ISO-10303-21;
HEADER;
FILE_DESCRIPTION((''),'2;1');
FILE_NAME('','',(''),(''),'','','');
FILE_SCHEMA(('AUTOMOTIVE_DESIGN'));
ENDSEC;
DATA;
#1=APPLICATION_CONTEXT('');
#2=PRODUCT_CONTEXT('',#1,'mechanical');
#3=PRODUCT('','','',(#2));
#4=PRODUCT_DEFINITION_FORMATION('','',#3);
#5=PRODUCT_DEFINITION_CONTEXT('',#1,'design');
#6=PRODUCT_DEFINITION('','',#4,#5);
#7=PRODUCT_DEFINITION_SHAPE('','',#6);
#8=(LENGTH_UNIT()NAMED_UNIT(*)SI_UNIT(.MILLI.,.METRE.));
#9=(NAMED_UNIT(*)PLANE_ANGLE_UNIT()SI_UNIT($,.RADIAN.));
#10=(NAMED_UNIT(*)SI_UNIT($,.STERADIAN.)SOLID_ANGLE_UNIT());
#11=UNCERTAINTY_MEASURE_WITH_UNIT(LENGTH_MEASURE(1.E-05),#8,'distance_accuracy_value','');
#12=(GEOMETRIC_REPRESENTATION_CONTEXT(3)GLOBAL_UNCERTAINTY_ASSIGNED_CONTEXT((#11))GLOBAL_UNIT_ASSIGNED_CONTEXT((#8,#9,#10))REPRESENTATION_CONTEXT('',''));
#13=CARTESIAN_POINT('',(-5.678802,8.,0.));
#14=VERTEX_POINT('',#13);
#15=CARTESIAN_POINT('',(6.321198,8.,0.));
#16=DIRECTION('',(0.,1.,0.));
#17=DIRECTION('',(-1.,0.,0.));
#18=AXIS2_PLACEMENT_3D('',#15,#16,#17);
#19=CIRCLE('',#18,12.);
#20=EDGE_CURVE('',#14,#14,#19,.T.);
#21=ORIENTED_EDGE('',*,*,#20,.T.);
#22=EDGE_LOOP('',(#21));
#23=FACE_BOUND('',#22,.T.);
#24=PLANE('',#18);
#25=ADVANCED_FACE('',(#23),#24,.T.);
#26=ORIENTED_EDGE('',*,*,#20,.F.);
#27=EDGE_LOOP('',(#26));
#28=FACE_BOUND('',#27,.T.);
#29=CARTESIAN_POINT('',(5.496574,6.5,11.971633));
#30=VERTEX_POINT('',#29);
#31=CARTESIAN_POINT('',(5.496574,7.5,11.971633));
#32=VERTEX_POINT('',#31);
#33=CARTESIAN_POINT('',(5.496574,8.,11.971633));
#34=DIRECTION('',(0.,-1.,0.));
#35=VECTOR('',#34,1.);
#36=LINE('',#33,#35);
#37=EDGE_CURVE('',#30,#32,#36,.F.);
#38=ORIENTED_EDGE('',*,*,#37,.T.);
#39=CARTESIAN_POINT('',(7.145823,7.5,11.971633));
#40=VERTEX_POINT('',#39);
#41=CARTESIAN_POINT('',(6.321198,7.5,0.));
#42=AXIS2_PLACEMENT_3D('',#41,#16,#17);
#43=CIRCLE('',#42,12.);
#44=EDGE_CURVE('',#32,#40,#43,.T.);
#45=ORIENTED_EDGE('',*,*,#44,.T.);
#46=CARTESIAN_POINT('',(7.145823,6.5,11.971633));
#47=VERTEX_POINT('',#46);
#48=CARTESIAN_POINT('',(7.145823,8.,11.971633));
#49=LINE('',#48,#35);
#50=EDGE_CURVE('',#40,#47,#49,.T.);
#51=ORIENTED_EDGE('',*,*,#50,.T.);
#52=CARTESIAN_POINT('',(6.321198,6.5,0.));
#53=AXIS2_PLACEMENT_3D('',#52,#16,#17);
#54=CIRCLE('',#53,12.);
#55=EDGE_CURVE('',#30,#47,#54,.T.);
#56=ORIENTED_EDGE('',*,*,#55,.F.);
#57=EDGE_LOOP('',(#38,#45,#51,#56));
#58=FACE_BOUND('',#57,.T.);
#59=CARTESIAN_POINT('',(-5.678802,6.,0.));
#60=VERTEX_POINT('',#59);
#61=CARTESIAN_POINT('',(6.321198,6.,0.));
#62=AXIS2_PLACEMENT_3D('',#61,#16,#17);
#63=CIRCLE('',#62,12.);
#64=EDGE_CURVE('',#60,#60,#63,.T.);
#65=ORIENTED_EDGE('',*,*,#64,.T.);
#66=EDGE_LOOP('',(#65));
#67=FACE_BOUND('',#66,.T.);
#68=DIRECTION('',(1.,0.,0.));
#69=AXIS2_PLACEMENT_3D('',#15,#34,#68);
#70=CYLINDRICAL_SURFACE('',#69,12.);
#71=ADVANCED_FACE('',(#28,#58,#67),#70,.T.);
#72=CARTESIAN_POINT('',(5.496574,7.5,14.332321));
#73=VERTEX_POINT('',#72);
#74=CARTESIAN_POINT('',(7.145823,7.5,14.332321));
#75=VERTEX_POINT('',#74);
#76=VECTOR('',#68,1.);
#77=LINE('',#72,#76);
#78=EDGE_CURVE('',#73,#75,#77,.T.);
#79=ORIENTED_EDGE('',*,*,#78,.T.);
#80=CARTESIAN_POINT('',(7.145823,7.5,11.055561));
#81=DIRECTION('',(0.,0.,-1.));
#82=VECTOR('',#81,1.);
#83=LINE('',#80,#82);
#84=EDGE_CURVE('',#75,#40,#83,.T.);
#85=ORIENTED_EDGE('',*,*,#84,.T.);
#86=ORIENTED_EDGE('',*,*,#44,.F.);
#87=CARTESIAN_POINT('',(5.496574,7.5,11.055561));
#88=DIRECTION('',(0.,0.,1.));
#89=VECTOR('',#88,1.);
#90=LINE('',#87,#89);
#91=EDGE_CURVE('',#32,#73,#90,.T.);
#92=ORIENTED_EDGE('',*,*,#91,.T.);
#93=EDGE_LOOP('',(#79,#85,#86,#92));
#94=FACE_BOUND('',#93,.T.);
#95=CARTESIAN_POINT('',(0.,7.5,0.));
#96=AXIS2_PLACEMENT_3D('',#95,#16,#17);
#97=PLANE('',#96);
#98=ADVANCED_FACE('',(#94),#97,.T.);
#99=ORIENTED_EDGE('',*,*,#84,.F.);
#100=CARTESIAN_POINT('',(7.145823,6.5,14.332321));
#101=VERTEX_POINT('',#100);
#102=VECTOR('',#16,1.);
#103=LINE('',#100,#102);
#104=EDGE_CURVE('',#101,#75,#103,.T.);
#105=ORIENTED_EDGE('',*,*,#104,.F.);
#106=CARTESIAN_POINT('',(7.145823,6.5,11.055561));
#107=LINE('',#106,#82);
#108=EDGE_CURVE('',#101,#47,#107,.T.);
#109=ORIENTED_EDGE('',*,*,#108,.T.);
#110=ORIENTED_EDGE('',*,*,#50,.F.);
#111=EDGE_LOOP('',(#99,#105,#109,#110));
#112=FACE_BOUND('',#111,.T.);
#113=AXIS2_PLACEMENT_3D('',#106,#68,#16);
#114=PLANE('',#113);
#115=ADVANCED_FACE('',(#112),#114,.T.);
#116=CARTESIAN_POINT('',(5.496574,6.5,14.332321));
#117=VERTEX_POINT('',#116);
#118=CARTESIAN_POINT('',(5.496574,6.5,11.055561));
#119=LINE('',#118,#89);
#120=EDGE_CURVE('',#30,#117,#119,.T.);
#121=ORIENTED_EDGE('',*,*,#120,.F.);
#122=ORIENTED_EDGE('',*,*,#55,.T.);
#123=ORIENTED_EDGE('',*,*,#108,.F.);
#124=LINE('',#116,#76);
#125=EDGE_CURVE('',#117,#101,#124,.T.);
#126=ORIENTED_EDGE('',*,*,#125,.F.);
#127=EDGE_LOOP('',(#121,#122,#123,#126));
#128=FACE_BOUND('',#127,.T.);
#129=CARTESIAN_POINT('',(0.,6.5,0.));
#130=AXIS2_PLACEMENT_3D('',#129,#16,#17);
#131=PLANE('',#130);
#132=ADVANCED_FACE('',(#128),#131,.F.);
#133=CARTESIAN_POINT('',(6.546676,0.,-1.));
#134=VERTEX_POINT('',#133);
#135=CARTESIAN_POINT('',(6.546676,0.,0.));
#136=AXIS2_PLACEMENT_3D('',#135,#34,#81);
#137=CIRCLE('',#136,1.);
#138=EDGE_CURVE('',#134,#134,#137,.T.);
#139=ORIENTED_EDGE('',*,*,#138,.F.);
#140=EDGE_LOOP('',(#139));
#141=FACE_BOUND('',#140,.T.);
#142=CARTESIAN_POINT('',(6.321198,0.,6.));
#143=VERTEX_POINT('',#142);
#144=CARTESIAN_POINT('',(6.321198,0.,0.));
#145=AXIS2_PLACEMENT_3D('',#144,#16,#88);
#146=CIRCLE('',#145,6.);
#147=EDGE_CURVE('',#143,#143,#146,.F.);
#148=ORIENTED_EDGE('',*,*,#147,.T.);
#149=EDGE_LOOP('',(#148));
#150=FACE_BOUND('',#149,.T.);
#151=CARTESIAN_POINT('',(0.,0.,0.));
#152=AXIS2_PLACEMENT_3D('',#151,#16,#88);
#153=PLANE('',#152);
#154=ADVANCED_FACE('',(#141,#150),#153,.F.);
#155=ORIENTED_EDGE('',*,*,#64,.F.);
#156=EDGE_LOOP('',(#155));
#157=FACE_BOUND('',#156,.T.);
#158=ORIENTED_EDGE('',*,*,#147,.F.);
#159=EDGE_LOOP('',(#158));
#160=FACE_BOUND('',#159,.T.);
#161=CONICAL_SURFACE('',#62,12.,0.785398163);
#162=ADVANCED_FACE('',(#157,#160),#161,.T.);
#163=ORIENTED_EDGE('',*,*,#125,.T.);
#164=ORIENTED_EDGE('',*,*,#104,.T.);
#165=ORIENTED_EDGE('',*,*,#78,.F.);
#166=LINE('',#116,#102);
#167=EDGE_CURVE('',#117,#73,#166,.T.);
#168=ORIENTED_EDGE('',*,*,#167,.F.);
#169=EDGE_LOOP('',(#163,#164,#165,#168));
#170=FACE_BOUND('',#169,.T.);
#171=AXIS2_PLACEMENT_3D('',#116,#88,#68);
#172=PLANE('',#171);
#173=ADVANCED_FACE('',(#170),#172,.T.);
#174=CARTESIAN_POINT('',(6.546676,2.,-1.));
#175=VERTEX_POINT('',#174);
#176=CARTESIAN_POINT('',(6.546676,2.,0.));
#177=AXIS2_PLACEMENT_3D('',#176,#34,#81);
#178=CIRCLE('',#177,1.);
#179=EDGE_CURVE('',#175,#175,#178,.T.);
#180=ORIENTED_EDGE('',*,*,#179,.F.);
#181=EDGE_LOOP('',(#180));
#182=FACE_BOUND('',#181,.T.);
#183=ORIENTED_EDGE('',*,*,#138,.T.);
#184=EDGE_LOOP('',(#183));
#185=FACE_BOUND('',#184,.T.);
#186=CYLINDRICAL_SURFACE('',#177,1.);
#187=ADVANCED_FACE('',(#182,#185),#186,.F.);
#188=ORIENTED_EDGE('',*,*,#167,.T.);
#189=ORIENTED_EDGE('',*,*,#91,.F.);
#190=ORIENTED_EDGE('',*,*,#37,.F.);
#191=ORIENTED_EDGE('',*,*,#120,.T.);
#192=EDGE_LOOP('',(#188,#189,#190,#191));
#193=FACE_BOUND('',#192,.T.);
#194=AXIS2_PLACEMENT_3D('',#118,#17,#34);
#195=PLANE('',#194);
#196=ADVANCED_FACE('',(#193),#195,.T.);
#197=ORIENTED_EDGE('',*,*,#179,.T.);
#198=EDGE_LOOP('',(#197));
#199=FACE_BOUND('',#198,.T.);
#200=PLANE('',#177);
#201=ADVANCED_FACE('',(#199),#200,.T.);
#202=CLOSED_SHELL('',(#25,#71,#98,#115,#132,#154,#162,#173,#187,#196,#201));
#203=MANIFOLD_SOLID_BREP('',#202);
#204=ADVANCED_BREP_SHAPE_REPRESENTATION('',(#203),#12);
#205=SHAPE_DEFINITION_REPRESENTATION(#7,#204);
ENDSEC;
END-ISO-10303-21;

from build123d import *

# Parameters (mm, degrees)
SKETCH11_R          = 12
BOSS_EXTRUDE3_DEPTH = 2
BOSS_EXTRUDE4_START = -0.5
SKETCH12_W          = 1.649249379
SKETCH12_H          = 3.276759918
BOSS_EXTRUDE4_DEPTH = 1
SKETCH14_R          = 1
CUT_EXTRUDE2_DEPTH  = 2


with BuildPart() as part:
    # Sketch1 → Revolve1 (revolve)
    with BuildSketch(Plane.XY):
        Polygon((0.388993331, -0.067795133), (-5.226777212, -4), (6.321198199, -4), (6.321198199, 6), (-5.678801801, 6), align=None)
    revolve(axis=Axis((6.321198199, 11.047707555, 0), (0, -1, 0)))


with BuildPart() as body_2:
    # Split2: the piece on the far side of the plane
    add(part.part)
    split(bisect_by=Plane.ZX, keep=Keep.BOTTOM)


with BuildPart() as part_1:
    add(part.part)

    # Split2
    split(bisect_by=Plane.ZX, keep=Keep.TOP)

    # Sketch11 → Boss-Extrude3 (add)
    with BuildSketch(Plane(origin=(0, 6, 0), x_dir=(1, 0, 0), z_dir=(0, 1, 0))):
        with Locations(Location((6.321198199, 0, 0), (0, 0, 180))):
            Circle(SKETCH11_R)
    extrude(amount=BOSS_EXTRUDE3_DEPTH)

    # Sketch12 → Boss-Extrude4 (add)
    with BuildSketch(Plane(origin=(0, 8, 0), x_dir=(1, 0, 0), z_dir=(0, 1, 0)).offset(BOSS_EXTRUDE4_START)):
        with Locations((6.321198199, -12.693940914)):
            Rectangle(SKETCH12_W, SKETCH12_H)
    extrude(amount=-BOSS_EXTRUDE4_DEPTH)

    # Sketch14 → Cut-Extrude2 (cut)
    with BuildSketch(Plane(origin=(0, 0, 0), x_dir=(-1, 0, 0), z_dir=(0, -1, 0))):
        with Locations(Location((-6.546676473, 0, 0), (0, 0, 90))):
            Circle(SKETCH14_R)
    extrude(amount=-CUT_EXTRUDE2_DEPTH, mode=Mode.SUBTRACT)


solid = part_1.part
